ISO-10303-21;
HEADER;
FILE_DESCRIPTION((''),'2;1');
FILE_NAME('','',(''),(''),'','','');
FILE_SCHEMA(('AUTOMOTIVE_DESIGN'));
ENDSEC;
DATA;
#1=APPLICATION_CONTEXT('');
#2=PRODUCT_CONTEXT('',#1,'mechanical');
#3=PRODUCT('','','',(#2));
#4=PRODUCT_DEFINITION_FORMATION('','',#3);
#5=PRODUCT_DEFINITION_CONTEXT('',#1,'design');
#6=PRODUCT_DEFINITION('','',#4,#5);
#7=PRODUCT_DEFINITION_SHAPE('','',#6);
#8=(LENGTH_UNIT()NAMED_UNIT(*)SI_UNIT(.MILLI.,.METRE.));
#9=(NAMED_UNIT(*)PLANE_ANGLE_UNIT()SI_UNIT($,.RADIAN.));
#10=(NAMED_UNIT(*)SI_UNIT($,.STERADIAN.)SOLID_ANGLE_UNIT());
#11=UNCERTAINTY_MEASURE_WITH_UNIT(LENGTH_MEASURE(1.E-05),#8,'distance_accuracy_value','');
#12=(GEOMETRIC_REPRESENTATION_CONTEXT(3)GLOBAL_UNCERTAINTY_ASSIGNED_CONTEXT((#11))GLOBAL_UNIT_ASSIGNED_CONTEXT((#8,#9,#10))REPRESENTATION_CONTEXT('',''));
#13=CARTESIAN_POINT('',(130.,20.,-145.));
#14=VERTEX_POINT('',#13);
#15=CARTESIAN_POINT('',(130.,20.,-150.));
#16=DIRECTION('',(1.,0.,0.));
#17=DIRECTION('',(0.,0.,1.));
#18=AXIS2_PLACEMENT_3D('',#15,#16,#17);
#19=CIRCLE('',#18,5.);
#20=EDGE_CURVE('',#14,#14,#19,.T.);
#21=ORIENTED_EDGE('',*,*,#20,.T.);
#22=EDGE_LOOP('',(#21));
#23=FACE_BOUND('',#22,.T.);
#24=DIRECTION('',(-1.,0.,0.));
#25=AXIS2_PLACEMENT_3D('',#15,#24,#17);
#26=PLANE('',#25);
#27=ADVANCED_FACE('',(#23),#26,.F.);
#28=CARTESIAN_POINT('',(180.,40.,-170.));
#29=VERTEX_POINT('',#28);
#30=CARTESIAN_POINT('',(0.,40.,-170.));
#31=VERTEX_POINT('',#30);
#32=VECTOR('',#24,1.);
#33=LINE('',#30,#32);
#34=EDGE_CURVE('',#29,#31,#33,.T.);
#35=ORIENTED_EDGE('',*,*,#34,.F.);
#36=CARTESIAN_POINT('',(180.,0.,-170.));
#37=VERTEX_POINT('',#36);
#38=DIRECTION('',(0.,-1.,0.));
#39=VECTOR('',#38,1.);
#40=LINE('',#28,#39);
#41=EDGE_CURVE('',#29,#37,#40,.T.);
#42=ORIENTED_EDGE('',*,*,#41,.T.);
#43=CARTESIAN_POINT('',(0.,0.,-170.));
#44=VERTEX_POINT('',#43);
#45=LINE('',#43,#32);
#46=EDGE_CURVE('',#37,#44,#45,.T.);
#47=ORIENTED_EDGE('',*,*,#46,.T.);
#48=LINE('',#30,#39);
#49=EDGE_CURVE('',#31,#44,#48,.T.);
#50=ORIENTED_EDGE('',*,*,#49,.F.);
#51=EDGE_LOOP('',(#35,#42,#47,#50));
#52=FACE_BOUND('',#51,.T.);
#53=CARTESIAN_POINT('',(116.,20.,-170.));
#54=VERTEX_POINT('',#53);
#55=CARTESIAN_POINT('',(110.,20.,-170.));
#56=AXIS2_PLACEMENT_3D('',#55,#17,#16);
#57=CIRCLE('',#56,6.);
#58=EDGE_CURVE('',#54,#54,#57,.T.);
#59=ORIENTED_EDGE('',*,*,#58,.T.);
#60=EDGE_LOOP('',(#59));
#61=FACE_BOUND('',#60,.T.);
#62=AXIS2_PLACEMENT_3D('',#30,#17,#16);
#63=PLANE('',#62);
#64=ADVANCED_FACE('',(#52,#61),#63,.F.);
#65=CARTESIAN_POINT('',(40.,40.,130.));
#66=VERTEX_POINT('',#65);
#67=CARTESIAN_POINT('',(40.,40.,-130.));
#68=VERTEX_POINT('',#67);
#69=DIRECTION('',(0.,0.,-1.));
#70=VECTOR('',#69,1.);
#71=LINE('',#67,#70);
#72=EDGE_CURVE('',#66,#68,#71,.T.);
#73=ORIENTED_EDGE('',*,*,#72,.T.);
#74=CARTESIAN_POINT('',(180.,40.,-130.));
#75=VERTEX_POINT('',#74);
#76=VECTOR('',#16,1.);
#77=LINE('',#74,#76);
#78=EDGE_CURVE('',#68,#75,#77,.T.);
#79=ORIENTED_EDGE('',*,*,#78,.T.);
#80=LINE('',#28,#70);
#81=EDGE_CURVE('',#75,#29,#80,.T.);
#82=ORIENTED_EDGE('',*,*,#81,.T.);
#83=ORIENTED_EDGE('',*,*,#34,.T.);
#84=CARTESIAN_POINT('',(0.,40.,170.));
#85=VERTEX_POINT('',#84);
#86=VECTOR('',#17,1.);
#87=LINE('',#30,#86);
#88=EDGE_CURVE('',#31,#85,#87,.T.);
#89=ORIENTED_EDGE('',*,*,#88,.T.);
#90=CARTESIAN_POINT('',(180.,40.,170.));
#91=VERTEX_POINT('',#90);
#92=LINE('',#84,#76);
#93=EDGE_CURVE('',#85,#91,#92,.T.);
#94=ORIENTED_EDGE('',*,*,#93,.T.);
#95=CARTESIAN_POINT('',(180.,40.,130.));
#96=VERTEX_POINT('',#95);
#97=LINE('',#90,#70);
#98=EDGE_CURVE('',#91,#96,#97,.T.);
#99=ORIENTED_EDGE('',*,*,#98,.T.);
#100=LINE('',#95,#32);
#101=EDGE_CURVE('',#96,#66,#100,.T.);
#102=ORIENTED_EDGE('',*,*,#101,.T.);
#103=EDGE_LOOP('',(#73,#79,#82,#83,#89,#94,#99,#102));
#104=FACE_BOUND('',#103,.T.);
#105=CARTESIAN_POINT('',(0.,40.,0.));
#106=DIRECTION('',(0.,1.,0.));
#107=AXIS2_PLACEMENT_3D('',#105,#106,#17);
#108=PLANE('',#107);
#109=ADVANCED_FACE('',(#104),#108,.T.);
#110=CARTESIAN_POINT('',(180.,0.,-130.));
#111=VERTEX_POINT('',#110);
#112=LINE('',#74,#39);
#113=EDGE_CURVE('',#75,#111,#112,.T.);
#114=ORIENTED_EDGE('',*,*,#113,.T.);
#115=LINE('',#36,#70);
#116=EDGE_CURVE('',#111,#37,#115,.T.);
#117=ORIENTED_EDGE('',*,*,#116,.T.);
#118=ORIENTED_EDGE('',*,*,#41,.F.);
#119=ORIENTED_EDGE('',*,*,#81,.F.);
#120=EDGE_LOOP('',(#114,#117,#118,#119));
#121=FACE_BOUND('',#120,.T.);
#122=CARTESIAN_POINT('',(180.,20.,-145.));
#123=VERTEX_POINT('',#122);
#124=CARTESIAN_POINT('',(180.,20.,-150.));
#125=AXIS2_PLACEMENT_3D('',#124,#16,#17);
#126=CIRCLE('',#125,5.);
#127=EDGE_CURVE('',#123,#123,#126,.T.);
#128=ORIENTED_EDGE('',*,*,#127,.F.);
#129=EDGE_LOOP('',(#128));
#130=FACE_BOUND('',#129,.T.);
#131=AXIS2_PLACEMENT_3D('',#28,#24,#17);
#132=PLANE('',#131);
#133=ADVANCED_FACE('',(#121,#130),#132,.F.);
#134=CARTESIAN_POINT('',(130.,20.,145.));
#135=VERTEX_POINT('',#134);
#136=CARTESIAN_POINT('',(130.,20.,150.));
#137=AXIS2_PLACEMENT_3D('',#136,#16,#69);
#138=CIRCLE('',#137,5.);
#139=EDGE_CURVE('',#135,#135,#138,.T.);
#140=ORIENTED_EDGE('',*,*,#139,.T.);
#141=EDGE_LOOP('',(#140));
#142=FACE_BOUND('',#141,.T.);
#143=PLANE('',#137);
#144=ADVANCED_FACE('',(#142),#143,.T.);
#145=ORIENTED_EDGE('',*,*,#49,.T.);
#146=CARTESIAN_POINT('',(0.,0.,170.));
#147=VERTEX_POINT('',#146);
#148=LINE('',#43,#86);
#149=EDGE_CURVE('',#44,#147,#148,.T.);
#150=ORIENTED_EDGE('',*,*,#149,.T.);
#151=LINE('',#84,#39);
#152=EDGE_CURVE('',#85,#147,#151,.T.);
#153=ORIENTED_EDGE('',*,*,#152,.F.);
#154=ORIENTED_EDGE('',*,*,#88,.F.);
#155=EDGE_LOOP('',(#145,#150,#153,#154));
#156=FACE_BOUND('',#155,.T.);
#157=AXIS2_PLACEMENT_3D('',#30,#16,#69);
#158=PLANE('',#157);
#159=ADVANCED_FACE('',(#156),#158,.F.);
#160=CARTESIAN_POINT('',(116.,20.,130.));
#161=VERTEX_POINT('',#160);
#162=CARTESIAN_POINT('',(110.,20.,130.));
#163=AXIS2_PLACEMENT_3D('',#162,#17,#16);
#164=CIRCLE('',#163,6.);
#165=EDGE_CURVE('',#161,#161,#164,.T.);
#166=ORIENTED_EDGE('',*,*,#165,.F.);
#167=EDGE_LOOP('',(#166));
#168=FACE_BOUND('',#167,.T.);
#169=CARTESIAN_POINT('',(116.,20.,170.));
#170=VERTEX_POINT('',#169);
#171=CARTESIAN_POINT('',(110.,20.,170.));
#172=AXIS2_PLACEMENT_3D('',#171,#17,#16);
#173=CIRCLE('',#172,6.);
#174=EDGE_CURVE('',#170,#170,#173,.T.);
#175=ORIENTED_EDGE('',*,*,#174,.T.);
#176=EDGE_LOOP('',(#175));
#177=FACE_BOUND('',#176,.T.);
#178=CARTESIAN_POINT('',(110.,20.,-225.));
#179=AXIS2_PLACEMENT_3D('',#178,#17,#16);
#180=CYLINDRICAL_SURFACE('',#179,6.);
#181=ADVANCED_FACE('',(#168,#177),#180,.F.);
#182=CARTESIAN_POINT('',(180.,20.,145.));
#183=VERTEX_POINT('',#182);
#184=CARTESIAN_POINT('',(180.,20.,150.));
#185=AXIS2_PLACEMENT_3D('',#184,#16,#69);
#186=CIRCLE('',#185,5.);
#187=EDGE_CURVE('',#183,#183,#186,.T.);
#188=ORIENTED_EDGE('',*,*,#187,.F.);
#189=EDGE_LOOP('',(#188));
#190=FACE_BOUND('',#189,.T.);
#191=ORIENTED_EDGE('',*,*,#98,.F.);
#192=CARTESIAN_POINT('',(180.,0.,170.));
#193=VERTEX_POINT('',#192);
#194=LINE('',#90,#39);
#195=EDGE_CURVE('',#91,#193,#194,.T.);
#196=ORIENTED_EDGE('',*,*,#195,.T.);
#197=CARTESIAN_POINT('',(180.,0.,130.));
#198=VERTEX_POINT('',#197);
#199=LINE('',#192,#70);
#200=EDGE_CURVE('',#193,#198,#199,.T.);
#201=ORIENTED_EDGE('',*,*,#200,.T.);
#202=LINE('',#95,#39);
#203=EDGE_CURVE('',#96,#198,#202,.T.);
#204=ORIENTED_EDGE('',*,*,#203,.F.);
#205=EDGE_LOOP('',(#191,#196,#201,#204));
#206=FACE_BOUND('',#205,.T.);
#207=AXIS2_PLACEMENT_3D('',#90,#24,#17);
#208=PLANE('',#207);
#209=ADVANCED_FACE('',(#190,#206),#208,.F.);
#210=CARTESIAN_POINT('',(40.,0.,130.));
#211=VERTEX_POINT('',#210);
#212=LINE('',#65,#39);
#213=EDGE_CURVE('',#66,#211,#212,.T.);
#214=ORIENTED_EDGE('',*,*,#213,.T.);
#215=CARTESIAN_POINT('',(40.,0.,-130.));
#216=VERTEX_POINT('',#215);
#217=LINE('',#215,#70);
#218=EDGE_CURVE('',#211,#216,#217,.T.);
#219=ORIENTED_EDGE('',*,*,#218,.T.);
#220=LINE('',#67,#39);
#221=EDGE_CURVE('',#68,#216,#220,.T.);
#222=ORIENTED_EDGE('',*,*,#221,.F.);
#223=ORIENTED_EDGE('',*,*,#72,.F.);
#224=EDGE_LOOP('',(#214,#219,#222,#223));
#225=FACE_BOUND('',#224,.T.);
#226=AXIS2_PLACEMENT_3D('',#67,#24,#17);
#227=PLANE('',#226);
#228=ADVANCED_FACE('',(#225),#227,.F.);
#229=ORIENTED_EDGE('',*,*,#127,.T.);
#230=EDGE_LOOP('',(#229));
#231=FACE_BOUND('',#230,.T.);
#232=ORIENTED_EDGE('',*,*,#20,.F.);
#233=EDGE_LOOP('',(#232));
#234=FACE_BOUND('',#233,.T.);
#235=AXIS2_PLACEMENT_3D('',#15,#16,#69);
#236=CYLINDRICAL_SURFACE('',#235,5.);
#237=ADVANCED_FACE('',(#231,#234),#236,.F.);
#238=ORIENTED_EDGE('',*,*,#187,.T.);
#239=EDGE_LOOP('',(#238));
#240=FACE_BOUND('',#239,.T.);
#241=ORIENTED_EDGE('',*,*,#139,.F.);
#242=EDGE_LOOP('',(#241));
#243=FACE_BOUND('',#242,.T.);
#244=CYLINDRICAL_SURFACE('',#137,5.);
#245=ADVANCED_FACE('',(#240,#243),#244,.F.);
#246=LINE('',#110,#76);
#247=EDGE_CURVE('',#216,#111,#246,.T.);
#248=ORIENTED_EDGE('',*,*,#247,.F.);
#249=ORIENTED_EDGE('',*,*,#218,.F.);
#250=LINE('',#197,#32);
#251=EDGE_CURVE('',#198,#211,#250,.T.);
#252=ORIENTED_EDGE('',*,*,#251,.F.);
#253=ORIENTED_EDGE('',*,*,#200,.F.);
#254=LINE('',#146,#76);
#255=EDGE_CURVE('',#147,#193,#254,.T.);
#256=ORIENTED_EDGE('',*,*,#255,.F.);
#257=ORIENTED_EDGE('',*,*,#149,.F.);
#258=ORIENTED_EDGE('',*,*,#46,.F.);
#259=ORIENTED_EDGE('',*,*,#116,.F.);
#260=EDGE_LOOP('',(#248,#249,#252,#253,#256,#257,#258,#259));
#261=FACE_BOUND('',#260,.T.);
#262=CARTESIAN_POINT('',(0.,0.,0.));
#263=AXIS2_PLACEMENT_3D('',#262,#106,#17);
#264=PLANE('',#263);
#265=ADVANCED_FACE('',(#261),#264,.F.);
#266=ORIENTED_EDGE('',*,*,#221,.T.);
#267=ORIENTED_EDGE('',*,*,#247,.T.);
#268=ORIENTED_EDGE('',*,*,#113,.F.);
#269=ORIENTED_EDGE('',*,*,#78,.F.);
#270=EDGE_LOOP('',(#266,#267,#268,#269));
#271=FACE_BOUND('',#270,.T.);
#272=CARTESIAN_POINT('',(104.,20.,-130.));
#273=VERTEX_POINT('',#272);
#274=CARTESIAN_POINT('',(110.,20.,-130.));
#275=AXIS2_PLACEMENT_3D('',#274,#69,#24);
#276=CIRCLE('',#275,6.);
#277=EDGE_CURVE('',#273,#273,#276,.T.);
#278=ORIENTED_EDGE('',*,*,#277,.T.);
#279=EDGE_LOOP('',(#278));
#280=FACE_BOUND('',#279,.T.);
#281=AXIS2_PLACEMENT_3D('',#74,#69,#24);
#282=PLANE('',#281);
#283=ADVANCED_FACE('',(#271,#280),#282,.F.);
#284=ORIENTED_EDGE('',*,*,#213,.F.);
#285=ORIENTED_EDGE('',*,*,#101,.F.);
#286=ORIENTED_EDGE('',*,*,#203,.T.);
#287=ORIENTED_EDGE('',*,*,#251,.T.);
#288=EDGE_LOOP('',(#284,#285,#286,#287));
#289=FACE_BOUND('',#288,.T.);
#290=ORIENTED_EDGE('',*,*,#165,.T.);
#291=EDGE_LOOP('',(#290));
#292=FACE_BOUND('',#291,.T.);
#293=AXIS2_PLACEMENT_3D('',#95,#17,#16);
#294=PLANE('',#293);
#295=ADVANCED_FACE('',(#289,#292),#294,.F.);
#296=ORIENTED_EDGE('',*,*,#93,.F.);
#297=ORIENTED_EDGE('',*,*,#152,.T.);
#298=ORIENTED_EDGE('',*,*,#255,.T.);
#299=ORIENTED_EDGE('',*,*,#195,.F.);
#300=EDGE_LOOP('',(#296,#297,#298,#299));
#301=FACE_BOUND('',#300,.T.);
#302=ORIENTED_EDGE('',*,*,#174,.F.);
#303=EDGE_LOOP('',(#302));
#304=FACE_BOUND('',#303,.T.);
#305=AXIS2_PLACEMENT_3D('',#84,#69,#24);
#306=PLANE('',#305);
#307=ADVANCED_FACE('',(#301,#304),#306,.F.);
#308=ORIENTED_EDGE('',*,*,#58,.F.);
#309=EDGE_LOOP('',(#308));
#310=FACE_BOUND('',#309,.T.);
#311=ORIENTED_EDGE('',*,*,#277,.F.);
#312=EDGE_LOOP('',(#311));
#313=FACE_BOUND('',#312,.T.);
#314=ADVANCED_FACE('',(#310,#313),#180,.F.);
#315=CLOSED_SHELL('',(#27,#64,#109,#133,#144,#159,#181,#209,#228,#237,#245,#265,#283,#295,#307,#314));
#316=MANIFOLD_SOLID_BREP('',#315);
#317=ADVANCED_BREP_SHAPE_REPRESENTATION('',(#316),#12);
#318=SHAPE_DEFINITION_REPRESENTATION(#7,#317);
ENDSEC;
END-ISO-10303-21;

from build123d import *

# Parameters (mm, degrees)
BOSS_EXTRUDE1_DEPTH = 40
SKETCH2_R           = 6
CUT_EXTRUDE1_DEPTH  = 395
SKETCH3_R           = 5
CUT_EXTRUDE2_DEPTH  = 50


with BuildPart() as part:
    # Sketch1 → Boss-Extrude1 (new body)
    with BuildSketch(Plane(origin=(0, 0, 0), x_dir=(1, 0, 0), z_dir=(0, 1, 0))):
        Polygon((0, 170), (180, 170), (180, 130), (40, 130), (40, -130), (180, -130), (180, -170), (0, -170), align=None)
    extrude(amount=BOSS_EXTRUDE1_DEPTH)

    # Sketch2 → Cut-Extrude1 (cut)
    with BuildSketch(Plane.XY.offset(170)):
        with Locations((110, 20)):
            Circle(SKETCH2_R)
    extrude(amount=-CUT_EXTRUDE1_DEPTH, mode=Mode.SUBTRACT)

    # Sketch3 → Cut-Extrude2 (cut)
    with BuildSketch(Plane(origin=(180, 0, 0), x_dir=(0, 0, -1), z_dir=(1, 0, 0))):
        with Locations((-150, 20)):
            Circle(SKETCH3_R)
        with Locations(Location((150, 20, 0), (0, 0, 180))):
            Circle(SKETCH3_R)
    extrude(amount=-CUT_EXTRUDE2_DEPTH, mode=Mode.SUBTRACT)


solid = part.part
